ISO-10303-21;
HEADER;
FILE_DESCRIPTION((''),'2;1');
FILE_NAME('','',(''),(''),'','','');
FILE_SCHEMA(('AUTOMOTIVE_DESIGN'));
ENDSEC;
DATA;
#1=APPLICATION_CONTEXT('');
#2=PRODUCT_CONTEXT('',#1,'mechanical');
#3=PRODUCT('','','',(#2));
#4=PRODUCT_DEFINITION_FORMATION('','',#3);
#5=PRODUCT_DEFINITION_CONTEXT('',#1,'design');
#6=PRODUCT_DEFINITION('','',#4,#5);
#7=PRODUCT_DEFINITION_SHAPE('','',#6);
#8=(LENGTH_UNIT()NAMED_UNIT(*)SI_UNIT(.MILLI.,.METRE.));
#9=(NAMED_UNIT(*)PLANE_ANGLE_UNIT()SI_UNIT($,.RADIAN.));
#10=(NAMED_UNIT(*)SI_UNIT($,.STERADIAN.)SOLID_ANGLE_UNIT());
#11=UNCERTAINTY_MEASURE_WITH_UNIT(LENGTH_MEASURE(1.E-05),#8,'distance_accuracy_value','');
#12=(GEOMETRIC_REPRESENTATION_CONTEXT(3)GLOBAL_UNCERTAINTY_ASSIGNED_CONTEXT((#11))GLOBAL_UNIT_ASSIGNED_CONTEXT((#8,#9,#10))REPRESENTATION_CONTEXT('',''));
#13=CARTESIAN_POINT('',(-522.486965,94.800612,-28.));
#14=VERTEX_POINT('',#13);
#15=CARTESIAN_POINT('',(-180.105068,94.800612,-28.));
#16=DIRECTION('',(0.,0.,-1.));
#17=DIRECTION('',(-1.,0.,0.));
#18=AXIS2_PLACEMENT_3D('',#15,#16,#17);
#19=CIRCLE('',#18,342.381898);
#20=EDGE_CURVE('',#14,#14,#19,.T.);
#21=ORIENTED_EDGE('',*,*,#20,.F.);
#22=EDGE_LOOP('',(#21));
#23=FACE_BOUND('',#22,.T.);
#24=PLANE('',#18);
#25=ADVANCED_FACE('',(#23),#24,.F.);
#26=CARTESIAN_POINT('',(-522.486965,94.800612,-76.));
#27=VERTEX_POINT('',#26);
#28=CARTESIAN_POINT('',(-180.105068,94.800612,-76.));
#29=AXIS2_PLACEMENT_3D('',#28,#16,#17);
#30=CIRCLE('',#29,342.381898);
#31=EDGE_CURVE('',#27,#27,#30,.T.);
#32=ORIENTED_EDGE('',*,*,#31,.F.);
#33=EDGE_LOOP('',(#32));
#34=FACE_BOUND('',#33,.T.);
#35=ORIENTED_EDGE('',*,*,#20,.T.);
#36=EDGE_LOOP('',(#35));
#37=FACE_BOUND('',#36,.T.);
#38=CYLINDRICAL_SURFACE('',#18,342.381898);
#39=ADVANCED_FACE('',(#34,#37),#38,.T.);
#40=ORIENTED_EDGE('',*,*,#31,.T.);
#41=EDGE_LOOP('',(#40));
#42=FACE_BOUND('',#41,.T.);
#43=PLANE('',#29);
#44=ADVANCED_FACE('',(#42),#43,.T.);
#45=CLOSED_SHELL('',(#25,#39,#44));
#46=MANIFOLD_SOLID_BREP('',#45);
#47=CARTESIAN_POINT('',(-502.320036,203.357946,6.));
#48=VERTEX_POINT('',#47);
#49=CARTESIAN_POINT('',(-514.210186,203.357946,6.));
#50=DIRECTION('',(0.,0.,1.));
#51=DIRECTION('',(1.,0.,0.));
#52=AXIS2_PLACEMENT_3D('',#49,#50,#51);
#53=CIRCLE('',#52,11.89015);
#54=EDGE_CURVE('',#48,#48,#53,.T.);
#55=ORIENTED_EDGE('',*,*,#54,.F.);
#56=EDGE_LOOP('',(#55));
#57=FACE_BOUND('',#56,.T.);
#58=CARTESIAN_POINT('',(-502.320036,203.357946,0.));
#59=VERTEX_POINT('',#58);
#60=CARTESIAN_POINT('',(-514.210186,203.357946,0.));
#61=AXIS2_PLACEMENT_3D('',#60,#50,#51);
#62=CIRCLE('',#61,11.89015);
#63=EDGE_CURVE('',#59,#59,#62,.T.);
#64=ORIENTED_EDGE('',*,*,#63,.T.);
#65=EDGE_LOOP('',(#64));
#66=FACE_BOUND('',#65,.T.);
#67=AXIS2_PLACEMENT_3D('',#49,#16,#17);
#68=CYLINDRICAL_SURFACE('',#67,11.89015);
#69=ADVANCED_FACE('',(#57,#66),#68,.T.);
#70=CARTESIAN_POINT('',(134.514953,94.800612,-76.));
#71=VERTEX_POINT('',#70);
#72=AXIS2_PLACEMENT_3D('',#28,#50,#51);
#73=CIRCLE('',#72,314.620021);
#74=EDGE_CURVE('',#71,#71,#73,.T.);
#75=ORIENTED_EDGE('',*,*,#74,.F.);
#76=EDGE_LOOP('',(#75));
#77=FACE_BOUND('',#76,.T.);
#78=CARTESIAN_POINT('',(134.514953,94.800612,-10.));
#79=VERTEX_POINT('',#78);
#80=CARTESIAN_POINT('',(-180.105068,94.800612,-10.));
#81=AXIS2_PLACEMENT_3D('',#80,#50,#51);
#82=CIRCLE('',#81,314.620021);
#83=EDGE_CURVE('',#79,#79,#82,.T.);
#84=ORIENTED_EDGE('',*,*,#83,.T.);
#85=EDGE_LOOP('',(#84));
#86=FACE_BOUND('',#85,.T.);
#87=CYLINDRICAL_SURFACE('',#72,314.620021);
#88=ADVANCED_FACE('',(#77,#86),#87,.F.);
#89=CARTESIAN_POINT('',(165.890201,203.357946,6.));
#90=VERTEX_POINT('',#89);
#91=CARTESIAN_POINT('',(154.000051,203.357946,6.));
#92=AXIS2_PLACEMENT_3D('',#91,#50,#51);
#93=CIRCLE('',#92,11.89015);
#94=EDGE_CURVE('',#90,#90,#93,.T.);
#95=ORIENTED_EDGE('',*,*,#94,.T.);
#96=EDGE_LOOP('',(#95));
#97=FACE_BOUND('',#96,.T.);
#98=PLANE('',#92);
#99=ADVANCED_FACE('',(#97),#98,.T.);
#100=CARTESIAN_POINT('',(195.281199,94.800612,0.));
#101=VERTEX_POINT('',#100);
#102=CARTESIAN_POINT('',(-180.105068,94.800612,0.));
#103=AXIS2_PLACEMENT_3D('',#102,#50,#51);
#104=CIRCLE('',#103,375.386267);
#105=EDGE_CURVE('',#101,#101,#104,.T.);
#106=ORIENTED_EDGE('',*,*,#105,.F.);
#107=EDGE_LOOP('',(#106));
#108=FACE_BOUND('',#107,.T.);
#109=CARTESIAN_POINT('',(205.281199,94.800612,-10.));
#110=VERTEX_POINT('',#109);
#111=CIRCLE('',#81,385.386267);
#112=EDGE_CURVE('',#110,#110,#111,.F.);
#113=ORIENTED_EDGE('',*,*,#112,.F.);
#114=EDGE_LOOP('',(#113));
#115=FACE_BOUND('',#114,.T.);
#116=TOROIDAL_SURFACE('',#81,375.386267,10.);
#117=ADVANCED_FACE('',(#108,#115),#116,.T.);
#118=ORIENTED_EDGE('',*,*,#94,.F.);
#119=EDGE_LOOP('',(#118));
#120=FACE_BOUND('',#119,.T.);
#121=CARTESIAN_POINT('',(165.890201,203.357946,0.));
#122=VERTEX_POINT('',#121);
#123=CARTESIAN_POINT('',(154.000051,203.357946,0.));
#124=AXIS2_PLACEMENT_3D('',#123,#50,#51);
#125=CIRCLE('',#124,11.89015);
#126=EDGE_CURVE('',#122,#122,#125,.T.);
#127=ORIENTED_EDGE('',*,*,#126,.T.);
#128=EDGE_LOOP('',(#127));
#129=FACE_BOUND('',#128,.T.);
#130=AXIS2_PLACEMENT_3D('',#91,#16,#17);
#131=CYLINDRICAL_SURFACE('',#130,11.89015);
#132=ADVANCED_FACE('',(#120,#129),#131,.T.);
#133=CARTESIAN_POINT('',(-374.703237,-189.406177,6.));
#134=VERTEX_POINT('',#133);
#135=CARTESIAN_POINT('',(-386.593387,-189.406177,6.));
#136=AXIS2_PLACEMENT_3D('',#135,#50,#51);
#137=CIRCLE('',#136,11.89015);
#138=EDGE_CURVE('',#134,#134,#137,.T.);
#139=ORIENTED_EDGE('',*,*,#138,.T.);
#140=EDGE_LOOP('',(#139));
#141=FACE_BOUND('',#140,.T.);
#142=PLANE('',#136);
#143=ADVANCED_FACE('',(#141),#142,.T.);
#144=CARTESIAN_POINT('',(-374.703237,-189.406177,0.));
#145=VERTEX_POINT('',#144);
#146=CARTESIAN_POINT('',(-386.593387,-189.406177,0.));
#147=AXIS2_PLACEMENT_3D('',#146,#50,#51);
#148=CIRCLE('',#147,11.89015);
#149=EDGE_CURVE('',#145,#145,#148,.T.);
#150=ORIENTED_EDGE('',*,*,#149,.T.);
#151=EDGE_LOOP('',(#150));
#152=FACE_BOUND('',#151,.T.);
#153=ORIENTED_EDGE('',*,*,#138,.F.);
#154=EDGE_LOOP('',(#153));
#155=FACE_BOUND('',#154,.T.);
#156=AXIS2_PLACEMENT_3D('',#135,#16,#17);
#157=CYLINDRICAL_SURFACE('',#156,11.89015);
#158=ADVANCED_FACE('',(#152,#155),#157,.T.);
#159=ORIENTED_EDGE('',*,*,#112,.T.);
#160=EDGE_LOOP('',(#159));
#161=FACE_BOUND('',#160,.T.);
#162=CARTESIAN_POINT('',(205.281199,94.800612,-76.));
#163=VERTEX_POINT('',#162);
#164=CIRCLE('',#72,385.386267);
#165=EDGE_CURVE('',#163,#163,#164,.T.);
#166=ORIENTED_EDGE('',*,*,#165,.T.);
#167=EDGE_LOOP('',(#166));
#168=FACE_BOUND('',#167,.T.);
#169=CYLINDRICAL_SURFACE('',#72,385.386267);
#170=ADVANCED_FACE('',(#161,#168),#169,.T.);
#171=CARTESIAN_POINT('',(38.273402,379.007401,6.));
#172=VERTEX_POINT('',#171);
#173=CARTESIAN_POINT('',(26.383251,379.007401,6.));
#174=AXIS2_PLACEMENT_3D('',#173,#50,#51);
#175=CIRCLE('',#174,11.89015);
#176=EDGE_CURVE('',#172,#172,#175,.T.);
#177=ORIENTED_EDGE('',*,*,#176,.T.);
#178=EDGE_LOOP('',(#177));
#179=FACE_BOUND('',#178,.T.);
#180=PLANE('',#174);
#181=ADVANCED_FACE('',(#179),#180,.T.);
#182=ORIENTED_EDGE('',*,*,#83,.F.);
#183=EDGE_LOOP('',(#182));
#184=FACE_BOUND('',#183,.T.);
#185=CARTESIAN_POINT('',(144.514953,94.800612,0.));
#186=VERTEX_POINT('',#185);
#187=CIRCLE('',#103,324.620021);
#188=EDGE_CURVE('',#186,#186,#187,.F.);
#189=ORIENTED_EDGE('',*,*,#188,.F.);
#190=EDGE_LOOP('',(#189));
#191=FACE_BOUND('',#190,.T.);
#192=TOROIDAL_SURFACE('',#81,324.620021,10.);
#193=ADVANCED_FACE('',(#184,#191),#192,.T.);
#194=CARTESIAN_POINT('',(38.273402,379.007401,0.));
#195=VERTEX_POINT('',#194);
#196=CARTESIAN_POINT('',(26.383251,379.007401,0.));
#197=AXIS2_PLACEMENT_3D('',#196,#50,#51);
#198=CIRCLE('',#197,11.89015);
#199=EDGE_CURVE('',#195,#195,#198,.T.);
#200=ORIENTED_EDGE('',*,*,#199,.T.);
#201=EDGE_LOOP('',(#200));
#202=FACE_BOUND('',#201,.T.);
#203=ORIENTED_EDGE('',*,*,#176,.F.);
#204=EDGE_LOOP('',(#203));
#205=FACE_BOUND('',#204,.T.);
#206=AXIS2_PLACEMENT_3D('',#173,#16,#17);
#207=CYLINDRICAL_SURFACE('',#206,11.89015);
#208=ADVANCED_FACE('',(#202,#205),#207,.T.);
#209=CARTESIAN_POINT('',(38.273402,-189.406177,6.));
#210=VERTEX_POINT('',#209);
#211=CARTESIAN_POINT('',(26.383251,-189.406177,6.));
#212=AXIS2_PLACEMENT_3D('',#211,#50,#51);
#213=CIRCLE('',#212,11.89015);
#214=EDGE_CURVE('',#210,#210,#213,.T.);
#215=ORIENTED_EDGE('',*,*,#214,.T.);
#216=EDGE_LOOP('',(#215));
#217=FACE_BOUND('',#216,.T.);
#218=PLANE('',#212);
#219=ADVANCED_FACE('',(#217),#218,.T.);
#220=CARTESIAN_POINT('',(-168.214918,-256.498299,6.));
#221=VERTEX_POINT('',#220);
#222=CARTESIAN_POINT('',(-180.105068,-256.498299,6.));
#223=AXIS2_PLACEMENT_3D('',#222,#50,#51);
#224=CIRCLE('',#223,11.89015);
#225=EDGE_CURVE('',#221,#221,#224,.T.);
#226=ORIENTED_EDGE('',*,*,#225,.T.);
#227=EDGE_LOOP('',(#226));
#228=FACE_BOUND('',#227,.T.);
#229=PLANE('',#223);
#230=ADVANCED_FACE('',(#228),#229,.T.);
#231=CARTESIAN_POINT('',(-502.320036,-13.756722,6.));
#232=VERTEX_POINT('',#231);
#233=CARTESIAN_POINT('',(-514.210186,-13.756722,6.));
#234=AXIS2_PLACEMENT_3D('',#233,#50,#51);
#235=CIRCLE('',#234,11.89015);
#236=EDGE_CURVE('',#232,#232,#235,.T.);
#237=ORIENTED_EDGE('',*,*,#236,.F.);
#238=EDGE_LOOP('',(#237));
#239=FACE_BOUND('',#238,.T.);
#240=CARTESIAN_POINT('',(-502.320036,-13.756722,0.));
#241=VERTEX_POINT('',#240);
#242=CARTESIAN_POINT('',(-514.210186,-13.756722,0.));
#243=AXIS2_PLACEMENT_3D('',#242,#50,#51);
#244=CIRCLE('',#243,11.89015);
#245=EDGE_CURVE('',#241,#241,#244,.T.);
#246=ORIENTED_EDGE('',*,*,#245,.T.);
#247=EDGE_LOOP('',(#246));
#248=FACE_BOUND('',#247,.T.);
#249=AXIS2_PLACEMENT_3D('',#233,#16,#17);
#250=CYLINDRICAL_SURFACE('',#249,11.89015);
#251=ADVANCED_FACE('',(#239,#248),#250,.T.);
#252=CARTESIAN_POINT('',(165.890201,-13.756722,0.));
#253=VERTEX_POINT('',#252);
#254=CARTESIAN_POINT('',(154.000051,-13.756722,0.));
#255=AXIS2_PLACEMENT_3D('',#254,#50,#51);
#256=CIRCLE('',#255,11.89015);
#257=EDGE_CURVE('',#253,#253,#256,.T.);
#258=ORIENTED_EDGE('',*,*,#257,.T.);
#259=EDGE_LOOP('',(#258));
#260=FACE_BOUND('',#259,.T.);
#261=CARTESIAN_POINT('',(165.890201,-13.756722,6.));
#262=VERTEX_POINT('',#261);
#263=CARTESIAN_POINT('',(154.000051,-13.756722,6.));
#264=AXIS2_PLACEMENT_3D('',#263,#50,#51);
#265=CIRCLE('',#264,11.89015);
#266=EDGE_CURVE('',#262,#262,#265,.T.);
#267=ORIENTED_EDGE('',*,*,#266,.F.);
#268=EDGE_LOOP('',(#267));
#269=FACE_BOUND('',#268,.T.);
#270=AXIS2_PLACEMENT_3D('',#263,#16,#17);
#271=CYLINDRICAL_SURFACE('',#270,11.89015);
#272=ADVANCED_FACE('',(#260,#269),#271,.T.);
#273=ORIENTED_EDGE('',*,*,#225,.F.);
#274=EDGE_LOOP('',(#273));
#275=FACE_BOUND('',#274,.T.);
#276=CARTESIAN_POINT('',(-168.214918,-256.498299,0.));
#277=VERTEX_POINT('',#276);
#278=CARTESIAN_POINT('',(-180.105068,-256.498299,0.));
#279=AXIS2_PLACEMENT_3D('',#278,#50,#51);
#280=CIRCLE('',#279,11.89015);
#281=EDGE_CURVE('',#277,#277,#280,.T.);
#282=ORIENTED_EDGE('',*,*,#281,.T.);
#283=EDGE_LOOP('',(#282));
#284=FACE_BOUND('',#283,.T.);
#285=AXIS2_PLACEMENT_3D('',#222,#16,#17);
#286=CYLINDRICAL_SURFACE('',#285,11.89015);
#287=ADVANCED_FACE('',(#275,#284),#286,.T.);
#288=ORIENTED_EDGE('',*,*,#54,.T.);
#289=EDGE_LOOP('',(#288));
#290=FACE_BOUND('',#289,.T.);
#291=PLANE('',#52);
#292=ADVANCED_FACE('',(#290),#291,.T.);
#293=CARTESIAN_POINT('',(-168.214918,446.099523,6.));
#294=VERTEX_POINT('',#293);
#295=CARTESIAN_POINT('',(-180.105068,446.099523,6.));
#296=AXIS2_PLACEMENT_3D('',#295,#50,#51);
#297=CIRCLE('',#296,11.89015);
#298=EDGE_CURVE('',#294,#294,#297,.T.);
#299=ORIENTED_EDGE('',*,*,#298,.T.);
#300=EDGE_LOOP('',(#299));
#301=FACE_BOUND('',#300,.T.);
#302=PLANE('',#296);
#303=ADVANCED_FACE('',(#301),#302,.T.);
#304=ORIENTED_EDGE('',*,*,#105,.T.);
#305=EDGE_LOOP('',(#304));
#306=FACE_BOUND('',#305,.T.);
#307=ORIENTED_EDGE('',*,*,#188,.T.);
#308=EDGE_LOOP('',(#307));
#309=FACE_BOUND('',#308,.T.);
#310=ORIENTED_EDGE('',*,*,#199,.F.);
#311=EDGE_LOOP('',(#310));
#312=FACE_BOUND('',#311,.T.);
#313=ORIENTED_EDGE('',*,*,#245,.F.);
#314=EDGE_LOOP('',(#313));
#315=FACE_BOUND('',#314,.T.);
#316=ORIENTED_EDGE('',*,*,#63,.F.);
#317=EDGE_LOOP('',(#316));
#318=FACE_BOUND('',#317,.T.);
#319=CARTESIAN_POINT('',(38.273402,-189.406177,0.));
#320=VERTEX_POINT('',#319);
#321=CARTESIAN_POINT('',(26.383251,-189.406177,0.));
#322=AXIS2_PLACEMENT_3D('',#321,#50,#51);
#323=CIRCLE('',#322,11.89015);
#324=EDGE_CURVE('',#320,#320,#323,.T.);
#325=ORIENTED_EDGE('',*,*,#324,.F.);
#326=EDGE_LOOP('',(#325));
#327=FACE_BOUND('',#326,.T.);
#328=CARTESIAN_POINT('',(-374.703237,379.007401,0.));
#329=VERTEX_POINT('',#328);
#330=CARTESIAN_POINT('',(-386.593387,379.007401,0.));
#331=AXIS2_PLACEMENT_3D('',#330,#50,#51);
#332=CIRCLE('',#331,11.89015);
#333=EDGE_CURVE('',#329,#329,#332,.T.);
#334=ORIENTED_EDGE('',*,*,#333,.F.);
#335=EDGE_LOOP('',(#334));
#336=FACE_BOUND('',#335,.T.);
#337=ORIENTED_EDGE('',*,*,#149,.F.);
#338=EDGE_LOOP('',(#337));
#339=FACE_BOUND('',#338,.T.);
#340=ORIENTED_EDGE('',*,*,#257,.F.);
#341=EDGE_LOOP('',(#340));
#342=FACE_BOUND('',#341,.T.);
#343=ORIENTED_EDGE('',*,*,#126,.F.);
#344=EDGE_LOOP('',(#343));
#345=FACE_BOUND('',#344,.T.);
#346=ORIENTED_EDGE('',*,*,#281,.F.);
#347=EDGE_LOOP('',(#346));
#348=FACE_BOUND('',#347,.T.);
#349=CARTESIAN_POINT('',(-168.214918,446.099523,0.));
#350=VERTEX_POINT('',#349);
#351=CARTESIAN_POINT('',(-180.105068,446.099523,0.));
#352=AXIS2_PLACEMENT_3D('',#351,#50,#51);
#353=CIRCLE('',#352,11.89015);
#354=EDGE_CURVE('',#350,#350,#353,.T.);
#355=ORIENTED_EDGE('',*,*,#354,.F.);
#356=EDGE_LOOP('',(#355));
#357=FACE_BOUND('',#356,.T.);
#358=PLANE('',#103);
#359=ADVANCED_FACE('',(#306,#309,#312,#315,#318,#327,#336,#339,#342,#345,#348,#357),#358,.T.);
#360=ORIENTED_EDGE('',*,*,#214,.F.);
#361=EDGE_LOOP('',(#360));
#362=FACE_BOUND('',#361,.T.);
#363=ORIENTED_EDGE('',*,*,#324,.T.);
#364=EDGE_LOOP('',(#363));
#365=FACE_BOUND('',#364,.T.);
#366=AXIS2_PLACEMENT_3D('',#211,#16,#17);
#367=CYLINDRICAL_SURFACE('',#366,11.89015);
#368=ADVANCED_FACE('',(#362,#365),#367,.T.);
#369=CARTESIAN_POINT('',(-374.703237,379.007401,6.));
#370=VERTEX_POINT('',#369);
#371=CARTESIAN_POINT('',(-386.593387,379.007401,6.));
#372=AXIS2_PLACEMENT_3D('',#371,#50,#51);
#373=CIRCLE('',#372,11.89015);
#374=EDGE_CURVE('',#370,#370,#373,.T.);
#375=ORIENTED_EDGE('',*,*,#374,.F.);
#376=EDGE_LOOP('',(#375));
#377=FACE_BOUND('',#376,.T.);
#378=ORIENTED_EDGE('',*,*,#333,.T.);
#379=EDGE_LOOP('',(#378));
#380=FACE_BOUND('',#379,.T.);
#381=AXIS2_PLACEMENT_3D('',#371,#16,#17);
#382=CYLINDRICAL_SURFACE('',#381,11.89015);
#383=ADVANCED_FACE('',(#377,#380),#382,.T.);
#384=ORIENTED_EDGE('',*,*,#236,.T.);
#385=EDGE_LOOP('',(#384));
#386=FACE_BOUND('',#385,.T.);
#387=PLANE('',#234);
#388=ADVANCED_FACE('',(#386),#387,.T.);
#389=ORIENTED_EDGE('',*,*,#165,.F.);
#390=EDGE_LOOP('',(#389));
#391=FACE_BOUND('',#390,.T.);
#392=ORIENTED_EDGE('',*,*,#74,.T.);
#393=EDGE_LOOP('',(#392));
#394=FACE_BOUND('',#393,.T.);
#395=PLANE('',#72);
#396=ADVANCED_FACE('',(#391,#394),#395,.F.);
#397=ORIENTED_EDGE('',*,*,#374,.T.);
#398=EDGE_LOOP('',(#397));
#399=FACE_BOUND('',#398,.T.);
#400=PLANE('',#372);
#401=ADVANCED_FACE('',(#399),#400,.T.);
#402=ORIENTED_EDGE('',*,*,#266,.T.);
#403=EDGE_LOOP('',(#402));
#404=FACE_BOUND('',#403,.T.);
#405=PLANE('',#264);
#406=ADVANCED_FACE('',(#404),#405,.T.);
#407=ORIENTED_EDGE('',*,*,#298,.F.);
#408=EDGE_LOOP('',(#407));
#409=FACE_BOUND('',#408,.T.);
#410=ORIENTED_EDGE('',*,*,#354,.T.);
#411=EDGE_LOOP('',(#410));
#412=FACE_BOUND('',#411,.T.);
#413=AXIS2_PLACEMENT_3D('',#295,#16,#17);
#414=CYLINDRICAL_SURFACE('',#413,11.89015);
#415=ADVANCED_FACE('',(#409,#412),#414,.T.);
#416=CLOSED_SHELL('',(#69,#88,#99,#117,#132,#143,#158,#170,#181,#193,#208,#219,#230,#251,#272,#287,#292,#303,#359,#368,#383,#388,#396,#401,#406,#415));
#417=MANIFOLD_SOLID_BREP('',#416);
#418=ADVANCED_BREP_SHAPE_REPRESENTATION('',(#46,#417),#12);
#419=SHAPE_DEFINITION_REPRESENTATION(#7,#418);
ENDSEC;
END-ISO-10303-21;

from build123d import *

# Parameters (mm, degrees)
SKETCH1_R           = 385.386266527
SKETCH1_R_2         = 314.620020727
BOSS_EXTRUDE1_DEPTH = 76
SKETCH2_R           = 342.381897502
BOSS_EXTRUDE2_DEPTH = 48
FILLET2_R           = 10
FILLET3_R           = 10
SKETCH3_R           = 11.890150021
BOSS_EXTRUDE3_DEPTH = 6


with BuildPart() as part:
    # Sketch1 → Boss-Extrude1 (new body)
    with BuildSketch(Plane.XY):
        with Locations((-180.105067614, 94.800611997)):
            Circle(SKETCH1_R)
        with Locations((-180.105067614, 94.800611997)):
            Circle(SKETCH1_R_2, mode=Mode.SUBTRACT)
    extrude(amount=-BOSS_EXTRUDE1_DEPTH)

    # Fillet2
    fillet2_edges = [part.edges().sort_by_distance(p)[0] for p in [
        (-494.725088342, 94.800611997, 0),
    ]]
    fillet(fillet2_edges, radius=FILLET2_R)

    # Fillet3
    fillet3_edges = [part.edges().sort_by_distance(p)[0] for p in [
        (-565.491334141, 94.800611997, 0),
    ]]
    fillet(fillet3_edges, radius=FILLET3_R)

    # Sketch3 → Boss-Extrude3 (add)
    with BuildSketch(Plane.XY):
        with Locations((26.383251483, 379.007401192)):
            Circle(SKETCH3_R)
        with Locations((-180.105067614, 446.099523109)):
            Circle(SKETCH3_R)
        with Locations((154.000050965, 203.357945636)):
            Circle(SKETCH3_R)
        with Locations((154.000050965, -13.756721642)):
            Circle(SKETCH3_R)
        with Locations((26.383251483, -189.406177197)):
            Circle(SKETCH3_R)
        with Locations((-180.105067614, -256.498299114)):
            Circle(SKETCH3_R)
        with Locations((-386.593386712, -189.406177197)):
            Circle(SKETCH3_R)
        with Locations((-514.210186194, -13.756721642)):
            Circle(SKETCH3_R)
        with Locations((-514.210186194, 203.357945636)):
            Circle(SKETCH3_R)
        with Locations((-386.593386712, 379.007401192)):
            Circle(SKETCH3_R)
    extrude(amount=BOSS_EXTRUDE3_DEPTH)


with BuildPart() as body_2:
    # Sketch2 → Boss-Extrude2 (new body)
    with BuildSketch(Plane(origin=(0, 0, -76), x_dir=(-1, 0, 0), z_dir=(0, 0, -1))):
        with Locations((180.105067614, 94.800611997)):
            Circle(SKETCH2_R)
    extrude(amount=-BOSS_EXTRUDE2_DEPTH)


solid = Compound([part.part, body_2.part])
